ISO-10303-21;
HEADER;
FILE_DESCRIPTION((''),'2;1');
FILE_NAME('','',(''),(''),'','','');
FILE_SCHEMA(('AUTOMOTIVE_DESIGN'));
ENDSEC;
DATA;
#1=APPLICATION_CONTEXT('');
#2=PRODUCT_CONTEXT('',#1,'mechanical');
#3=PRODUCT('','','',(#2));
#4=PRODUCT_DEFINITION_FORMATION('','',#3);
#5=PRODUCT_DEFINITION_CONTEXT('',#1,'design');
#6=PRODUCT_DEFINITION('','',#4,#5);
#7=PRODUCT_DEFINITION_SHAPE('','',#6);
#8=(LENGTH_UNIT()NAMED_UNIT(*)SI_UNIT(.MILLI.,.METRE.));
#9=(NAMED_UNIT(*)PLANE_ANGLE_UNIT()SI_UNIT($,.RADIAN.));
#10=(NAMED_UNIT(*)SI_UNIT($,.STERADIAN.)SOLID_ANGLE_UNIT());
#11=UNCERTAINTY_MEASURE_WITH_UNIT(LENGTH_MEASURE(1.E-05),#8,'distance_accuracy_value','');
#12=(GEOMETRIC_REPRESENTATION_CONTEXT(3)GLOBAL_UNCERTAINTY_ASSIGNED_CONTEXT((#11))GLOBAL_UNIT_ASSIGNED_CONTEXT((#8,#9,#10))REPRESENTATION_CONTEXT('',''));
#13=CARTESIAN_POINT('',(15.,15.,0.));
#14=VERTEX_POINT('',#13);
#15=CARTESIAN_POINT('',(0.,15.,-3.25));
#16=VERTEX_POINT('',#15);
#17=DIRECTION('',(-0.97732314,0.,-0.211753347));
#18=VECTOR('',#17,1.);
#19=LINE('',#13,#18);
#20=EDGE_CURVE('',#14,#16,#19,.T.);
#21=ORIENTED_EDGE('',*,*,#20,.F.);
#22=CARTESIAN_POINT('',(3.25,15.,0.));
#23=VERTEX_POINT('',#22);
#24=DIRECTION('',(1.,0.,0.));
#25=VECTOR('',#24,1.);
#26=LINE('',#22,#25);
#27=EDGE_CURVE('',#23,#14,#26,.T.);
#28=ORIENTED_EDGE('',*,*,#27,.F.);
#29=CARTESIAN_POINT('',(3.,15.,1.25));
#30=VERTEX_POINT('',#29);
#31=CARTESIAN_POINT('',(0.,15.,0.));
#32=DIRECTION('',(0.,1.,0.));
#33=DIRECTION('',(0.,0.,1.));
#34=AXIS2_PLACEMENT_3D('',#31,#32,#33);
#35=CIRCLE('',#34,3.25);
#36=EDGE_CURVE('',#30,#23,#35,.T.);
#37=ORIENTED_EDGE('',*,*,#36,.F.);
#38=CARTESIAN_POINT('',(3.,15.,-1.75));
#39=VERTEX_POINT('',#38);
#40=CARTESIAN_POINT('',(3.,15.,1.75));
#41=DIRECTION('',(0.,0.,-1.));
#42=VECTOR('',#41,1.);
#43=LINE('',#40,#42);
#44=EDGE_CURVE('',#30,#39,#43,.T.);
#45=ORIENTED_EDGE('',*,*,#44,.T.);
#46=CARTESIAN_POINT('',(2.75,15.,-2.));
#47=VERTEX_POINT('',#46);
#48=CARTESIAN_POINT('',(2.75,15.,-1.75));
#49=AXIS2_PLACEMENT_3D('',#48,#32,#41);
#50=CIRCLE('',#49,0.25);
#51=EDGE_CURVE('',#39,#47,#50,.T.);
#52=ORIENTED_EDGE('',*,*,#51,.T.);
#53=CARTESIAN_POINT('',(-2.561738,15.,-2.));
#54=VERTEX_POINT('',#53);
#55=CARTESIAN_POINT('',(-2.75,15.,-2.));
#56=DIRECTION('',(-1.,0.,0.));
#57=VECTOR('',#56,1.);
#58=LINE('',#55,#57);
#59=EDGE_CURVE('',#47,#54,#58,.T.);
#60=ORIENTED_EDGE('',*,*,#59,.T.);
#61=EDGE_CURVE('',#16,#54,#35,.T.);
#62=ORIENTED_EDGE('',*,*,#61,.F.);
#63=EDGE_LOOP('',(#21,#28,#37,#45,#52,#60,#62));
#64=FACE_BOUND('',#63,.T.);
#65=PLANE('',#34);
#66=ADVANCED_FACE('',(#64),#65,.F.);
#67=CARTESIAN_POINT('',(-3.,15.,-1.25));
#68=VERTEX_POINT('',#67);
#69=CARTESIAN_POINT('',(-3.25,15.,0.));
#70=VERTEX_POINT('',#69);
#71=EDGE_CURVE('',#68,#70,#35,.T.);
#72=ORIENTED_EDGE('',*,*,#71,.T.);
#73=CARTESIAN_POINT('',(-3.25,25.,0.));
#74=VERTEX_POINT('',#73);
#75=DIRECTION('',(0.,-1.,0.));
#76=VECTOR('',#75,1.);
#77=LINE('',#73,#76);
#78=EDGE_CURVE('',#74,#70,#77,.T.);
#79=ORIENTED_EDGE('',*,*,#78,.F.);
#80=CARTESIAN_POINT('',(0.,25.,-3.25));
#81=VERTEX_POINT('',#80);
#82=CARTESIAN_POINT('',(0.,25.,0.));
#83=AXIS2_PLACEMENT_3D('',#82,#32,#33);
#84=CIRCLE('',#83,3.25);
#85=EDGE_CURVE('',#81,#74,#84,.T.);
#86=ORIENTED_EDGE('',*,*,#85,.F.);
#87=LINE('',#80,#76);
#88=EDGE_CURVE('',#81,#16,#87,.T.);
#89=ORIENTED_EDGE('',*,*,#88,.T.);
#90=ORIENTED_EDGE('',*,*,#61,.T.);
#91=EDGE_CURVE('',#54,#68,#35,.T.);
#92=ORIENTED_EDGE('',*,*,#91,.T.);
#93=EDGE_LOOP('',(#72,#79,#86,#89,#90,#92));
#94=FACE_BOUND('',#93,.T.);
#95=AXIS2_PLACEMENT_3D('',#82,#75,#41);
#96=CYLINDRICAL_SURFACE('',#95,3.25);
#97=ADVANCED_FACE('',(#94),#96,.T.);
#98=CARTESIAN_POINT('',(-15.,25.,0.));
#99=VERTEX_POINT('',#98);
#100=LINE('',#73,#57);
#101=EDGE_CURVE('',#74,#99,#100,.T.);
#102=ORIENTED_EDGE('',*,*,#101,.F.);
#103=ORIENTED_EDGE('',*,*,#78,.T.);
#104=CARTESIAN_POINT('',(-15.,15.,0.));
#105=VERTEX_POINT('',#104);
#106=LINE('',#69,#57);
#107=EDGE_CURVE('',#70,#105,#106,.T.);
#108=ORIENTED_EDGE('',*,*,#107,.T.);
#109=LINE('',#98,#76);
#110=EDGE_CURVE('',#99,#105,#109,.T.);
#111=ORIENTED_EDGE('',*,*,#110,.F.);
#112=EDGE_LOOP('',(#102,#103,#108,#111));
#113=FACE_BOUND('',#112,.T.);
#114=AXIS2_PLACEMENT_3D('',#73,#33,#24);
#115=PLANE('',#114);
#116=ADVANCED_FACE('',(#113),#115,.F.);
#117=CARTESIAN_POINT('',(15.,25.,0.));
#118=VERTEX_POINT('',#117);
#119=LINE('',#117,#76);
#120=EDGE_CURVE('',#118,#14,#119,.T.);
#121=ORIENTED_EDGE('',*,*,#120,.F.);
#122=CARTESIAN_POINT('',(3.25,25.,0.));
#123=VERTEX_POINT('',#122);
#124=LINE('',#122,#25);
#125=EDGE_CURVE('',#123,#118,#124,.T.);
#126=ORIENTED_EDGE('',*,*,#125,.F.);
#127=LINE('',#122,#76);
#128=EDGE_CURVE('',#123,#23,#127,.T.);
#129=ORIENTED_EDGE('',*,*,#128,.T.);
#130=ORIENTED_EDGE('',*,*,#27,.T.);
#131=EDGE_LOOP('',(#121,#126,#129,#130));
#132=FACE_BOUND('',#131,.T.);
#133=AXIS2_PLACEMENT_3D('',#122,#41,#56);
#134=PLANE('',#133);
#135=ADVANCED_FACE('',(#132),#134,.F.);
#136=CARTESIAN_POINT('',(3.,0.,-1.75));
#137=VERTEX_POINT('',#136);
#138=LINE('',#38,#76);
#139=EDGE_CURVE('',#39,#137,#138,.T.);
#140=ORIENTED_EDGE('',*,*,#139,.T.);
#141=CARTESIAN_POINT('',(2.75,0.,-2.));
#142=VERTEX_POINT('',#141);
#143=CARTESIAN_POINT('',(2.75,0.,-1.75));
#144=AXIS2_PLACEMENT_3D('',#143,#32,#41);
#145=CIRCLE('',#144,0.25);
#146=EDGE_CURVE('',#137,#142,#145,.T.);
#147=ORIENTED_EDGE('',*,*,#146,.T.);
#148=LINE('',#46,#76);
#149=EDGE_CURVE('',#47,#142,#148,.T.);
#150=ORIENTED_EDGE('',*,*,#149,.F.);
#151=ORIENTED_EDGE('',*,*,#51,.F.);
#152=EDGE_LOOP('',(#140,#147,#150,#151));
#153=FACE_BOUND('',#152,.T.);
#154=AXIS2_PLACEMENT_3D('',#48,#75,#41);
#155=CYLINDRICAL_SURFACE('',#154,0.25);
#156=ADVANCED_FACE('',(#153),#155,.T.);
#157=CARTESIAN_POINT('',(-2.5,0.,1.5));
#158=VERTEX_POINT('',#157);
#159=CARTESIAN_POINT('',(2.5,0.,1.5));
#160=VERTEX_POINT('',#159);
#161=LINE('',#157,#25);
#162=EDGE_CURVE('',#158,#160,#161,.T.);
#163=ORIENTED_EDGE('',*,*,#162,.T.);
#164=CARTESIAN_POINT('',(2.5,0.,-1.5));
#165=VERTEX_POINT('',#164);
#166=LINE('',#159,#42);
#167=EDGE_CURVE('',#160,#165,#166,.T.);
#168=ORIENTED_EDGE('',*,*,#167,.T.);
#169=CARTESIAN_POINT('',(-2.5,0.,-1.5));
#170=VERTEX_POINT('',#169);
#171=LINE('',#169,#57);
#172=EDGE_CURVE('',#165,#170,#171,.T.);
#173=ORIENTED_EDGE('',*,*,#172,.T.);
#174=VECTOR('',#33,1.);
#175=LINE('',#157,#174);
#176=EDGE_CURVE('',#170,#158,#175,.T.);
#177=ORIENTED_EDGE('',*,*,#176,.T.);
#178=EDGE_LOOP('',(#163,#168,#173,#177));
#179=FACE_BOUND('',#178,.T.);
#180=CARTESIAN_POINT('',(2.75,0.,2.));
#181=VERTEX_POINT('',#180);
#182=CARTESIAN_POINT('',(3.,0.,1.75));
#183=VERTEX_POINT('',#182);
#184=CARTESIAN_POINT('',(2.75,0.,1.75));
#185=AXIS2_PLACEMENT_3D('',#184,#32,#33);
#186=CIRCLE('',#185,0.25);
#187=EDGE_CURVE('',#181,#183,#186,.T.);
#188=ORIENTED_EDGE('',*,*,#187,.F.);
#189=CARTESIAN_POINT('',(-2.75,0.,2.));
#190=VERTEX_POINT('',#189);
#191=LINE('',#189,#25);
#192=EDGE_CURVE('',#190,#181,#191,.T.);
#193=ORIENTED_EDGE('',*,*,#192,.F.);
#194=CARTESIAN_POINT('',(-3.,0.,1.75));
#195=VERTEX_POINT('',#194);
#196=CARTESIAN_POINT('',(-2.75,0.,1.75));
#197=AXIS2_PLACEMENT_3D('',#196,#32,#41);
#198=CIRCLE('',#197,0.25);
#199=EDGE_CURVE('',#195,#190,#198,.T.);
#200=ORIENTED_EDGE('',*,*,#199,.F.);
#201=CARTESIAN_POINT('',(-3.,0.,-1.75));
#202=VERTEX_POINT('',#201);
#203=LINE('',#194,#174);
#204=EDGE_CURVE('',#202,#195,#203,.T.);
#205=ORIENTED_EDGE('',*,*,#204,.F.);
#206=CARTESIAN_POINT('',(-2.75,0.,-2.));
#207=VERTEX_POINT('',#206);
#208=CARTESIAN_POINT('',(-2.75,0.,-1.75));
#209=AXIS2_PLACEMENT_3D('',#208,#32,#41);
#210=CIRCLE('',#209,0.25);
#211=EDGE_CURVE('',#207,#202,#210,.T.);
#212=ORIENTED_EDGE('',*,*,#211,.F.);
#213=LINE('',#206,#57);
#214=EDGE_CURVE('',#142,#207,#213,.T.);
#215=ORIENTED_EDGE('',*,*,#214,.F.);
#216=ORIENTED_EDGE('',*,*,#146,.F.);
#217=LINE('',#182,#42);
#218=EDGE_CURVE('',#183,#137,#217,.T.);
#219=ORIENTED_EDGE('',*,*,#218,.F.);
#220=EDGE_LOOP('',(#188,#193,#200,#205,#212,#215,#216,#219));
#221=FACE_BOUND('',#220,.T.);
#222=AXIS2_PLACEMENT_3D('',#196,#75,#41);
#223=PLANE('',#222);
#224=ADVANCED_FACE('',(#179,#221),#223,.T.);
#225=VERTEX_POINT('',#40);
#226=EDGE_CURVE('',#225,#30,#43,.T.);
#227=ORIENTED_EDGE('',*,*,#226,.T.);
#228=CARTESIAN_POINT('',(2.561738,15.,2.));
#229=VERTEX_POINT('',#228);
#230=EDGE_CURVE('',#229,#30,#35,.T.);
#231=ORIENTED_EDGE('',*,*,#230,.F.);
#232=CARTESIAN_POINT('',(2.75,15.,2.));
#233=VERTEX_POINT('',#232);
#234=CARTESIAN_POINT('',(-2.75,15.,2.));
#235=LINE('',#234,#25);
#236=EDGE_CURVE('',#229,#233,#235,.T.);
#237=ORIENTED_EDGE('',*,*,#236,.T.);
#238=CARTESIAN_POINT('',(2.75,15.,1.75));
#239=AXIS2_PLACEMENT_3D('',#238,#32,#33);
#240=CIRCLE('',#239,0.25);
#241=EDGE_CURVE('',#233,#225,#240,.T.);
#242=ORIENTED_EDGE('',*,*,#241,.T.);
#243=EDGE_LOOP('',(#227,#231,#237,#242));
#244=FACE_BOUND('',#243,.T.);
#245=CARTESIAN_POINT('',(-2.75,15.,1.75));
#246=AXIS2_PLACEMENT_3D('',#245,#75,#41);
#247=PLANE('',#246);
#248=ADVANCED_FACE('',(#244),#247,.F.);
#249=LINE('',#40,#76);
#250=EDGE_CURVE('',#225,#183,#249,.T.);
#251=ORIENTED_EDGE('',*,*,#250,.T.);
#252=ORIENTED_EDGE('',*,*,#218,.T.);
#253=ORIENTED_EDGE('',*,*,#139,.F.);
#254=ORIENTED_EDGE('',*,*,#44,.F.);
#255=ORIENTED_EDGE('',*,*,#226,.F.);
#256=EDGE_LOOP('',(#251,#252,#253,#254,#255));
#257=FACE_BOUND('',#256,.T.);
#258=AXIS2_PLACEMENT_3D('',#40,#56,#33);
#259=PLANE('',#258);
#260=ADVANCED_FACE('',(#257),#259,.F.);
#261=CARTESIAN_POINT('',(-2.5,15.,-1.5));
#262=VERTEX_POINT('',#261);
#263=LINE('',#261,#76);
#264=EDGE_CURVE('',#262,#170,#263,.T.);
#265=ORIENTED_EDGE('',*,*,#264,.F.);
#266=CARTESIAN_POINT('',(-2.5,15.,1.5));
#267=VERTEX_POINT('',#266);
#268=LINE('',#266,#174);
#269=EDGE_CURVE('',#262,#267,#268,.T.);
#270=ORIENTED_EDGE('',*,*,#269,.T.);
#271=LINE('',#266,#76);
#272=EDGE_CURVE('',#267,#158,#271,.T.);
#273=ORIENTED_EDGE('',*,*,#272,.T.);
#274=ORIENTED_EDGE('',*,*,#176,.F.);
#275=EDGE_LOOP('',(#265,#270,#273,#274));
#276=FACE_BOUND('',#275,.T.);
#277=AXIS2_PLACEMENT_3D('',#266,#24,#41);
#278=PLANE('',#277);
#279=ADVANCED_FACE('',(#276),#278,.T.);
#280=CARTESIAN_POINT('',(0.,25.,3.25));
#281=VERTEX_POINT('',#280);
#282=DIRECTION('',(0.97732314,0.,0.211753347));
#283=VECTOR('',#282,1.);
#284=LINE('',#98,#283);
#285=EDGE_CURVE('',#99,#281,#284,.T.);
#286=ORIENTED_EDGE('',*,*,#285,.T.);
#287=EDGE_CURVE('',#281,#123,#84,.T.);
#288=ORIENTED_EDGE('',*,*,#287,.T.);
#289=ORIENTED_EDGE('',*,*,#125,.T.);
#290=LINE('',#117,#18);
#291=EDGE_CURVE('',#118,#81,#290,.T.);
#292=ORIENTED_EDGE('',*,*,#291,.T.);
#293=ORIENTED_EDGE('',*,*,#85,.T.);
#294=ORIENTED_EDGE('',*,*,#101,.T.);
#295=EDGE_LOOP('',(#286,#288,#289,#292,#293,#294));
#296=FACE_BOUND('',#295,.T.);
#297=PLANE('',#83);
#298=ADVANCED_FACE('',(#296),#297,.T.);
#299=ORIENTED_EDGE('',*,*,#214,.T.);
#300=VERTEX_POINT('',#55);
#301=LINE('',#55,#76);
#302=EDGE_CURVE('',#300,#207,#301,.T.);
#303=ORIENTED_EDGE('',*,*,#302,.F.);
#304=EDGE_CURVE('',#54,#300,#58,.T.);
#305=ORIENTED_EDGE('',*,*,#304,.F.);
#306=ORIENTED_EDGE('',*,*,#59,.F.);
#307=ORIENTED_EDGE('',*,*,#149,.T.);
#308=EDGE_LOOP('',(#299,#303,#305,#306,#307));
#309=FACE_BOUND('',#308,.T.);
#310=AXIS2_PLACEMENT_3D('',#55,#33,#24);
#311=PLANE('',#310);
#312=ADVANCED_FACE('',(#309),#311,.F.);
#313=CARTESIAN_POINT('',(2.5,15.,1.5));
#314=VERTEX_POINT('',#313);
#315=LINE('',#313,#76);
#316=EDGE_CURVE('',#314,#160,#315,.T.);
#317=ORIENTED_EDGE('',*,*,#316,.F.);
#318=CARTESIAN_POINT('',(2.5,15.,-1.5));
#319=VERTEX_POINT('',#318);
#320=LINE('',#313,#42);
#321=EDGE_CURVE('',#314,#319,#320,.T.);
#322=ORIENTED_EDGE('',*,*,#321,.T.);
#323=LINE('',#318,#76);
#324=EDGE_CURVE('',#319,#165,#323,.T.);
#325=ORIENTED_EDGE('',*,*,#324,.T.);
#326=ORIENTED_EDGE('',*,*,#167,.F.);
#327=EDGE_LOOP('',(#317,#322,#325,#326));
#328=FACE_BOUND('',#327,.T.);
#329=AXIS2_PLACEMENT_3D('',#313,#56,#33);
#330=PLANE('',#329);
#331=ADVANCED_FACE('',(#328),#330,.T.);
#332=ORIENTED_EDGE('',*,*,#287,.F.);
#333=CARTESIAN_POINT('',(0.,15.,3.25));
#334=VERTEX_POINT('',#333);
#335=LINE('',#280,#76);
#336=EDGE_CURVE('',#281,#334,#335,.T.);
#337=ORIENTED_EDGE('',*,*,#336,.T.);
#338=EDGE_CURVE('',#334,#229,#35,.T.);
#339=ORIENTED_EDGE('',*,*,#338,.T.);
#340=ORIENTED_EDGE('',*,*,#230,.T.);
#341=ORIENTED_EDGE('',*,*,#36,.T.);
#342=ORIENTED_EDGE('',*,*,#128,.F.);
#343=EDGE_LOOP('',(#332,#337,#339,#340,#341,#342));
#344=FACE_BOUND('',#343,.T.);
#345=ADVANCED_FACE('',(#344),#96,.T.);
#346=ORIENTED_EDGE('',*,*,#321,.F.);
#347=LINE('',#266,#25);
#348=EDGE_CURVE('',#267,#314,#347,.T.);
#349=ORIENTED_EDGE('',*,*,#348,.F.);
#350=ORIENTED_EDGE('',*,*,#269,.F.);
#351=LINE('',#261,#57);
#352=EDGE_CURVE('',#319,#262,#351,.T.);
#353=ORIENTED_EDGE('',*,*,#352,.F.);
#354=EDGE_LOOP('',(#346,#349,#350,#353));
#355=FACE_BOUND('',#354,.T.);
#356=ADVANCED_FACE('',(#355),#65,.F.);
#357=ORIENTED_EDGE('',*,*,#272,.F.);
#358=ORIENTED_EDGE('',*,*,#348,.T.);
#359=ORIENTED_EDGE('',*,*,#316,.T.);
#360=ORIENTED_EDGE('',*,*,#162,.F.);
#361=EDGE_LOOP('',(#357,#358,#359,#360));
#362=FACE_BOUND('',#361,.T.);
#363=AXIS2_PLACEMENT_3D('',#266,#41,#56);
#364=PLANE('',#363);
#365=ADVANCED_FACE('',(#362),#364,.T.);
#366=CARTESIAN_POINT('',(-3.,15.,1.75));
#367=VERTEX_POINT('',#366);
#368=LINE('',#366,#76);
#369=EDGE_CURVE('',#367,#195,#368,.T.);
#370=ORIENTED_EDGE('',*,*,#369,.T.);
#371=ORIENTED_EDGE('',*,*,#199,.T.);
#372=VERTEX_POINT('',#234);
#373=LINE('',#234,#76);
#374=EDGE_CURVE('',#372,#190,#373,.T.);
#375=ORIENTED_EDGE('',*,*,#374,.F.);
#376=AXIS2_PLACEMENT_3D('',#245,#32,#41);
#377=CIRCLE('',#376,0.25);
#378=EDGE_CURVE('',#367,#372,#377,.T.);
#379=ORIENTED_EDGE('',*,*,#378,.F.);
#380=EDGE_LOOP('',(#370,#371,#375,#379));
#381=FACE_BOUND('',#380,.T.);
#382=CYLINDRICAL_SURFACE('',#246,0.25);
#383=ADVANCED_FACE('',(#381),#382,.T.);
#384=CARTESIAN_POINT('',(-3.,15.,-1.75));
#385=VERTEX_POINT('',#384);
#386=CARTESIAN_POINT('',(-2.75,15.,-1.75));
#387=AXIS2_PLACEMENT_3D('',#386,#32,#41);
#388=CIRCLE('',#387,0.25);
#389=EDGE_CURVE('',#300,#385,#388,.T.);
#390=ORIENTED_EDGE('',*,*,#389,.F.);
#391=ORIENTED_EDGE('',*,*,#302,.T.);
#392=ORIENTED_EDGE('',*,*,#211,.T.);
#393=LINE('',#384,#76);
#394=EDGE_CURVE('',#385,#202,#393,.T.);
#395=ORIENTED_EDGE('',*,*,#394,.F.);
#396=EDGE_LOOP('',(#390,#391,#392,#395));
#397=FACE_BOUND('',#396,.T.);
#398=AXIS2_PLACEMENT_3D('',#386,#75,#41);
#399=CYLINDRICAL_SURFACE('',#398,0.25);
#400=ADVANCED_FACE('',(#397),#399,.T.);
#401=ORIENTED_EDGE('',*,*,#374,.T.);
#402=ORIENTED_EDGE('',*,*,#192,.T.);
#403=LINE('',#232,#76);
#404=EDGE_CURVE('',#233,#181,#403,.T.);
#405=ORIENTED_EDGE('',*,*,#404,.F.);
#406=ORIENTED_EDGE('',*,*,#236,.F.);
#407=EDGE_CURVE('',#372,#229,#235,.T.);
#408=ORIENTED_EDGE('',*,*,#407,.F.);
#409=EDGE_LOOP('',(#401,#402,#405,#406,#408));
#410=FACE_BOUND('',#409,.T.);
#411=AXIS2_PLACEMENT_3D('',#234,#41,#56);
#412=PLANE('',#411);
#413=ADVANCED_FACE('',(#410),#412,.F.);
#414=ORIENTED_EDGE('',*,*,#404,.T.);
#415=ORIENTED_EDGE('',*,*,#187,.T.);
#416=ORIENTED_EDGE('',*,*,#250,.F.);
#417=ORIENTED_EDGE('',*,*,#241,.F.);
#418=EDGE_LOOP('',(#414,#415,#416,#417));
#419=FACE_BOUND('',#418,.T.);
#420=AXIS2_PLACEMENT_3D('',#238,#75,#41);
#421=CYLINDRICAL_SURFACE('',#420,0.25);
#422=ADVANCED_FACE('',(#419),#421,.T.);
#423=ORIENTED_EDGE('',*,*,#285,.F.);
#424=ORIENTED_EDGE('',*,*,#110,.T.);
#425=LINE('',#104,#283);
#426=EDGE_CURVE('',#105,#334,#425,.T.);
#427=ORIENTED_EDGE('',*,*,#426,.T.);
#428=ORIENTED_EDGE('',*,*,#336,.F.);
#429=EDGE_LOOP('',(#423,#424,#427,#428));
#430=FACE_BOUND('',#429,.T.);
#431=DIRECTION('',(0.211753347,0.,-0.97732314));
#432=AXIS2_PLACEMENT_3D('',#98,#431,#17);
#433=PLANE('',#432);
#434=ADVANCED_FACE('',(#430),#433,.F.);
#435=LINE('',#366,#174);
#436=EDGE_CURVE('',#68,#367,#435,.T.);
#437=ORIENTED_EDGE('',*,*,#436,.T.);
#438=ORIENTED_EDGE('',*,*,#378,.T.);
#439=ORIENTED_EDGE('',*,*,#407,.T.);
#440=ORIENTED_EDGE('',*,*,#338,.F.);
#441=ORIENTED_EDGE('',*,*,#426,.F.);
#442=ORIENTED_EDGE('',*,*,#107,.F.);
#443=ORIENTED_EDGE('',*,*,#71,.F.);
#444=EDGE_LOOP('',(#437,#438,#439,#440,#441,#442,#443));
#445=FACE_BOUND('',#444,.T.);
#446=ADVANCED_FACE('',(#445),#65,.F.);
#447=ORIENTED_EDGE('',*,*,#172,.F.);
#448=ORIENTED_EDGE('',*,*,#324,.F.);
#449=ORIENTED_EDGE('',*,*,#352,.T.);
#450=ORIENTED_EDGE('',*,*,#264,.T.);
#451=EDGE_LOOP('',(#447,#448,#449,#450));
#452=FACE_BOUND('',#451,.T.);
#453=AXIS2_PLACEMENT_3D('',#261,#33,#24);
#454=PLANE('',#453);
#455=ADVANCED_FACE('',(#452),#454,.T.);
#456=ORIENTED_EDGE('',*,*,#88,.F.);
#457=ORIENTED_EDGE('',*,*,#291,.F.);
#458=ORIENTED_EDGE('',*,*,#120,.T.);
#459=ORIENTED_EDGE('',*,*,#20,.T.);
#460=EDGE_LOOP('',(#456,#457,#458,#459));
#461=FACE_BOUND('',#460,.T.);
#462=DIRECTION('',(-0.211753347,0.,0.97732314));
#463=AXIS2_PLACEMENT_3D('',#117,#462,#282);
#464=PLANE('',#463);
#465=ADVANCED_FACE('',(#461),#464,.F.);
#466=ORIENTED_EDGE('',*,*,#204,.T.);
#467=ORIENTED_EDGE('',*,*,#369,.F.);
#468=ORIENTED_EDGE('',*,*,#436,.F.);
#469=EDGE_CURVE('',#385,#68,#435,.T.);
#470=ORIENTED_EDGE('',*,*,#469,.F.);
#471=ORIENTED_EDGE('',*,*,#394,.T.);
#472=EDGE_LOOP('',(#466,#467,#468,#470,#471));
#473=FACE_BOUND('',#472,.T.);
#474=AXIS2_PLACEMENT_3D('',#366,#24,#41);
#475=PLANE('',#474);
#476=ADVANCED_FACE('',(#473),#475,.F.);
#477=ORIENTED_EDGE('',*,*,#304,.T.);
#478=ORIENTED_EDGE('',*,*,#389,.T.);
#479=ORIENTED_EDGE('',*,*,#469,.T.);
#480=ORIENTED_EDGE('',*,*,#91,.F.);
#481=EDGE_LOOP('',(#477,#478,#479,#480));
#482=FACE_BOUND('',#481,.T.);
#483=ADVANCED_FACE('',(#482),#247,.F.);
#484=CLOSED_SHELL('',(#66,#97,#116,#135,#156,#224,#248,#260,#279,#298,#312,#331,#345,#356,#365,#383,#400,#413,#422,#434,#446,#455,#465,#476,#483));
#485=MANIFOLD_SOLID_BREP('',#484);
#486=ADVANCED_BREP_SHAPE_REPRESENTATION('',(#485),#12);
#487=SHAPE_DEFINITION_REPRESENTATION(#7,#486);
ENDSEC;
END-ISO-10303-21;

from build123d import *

# Parameters (mm, degrees)
CROQUIS1_W              = 5
CROQUIS1_H              = 3
SALIENTE_EXTRUIR1_DEPTH = 15
SALIENTE_EXTRUIR2_DEPTH = 10


with BuildPart() as part:
    # Croquis1 → Saliente-Extruir1 (new body)
    with BuildSketch(Plane(origin=(0, 0, 0), x_dir=(1, 0, 0), z_dir=(0, 1, 0))):
        with BuildLine():
            Line((-2.75, -2), (2.75, -2))
            ThreePointArc((2.75, -2), (2.926776695, -1.926776695), (3, -1.75))
            Line((3, -1.75), (3, 1.75))
            ThreePointArc((3, 1.75), (2.926776695, 1.926776695), (2.75, 2))
            Line((2.75, 2), (-2.75, 2))
            ThreePointArc((-2.75, 2), (-2.926776695, 1.926776695), (-3, 1.75))
            Line((-3, 1.75), (-3, -1.75))
            ThreePointArc((-3, -1.75), (-2.926776695, -1.926776695), (-2.75, -2))
        make_face()
        Rectangle(CROQUIS1_W, CROQUIS1_H, mode=Mode.SUBTRACT)
    extrude(amount=SALIENTE_EXTRUIR1_DEPTH)

    # Croquis2 → Saliente-Extruir2 (add)
    with BuildSketch(Plane(origin=(0, 15, 0), x_dir=(1, 0, 0), z_dir=(0, 1, 0))):
        with BuildLine():
            Line((-3.25, 0), (-15, 0))
            Line((-15, 0), (0, -3.25))
            ThreePointArc((0, -3.25), (2.298097039, -2.298097039), (3.25, 0))
            Line((3.25, 0), (15, 0))
            Line((15, 0), (0, 3.25))
            ThreePointArc((0, 3.25), (-2.298097039, 2.298097039), (-3.25, 0))
        make_face()
    extrude(amount=SALIENTE_EXTRUIR2_DEPTH)


solid = part.part
